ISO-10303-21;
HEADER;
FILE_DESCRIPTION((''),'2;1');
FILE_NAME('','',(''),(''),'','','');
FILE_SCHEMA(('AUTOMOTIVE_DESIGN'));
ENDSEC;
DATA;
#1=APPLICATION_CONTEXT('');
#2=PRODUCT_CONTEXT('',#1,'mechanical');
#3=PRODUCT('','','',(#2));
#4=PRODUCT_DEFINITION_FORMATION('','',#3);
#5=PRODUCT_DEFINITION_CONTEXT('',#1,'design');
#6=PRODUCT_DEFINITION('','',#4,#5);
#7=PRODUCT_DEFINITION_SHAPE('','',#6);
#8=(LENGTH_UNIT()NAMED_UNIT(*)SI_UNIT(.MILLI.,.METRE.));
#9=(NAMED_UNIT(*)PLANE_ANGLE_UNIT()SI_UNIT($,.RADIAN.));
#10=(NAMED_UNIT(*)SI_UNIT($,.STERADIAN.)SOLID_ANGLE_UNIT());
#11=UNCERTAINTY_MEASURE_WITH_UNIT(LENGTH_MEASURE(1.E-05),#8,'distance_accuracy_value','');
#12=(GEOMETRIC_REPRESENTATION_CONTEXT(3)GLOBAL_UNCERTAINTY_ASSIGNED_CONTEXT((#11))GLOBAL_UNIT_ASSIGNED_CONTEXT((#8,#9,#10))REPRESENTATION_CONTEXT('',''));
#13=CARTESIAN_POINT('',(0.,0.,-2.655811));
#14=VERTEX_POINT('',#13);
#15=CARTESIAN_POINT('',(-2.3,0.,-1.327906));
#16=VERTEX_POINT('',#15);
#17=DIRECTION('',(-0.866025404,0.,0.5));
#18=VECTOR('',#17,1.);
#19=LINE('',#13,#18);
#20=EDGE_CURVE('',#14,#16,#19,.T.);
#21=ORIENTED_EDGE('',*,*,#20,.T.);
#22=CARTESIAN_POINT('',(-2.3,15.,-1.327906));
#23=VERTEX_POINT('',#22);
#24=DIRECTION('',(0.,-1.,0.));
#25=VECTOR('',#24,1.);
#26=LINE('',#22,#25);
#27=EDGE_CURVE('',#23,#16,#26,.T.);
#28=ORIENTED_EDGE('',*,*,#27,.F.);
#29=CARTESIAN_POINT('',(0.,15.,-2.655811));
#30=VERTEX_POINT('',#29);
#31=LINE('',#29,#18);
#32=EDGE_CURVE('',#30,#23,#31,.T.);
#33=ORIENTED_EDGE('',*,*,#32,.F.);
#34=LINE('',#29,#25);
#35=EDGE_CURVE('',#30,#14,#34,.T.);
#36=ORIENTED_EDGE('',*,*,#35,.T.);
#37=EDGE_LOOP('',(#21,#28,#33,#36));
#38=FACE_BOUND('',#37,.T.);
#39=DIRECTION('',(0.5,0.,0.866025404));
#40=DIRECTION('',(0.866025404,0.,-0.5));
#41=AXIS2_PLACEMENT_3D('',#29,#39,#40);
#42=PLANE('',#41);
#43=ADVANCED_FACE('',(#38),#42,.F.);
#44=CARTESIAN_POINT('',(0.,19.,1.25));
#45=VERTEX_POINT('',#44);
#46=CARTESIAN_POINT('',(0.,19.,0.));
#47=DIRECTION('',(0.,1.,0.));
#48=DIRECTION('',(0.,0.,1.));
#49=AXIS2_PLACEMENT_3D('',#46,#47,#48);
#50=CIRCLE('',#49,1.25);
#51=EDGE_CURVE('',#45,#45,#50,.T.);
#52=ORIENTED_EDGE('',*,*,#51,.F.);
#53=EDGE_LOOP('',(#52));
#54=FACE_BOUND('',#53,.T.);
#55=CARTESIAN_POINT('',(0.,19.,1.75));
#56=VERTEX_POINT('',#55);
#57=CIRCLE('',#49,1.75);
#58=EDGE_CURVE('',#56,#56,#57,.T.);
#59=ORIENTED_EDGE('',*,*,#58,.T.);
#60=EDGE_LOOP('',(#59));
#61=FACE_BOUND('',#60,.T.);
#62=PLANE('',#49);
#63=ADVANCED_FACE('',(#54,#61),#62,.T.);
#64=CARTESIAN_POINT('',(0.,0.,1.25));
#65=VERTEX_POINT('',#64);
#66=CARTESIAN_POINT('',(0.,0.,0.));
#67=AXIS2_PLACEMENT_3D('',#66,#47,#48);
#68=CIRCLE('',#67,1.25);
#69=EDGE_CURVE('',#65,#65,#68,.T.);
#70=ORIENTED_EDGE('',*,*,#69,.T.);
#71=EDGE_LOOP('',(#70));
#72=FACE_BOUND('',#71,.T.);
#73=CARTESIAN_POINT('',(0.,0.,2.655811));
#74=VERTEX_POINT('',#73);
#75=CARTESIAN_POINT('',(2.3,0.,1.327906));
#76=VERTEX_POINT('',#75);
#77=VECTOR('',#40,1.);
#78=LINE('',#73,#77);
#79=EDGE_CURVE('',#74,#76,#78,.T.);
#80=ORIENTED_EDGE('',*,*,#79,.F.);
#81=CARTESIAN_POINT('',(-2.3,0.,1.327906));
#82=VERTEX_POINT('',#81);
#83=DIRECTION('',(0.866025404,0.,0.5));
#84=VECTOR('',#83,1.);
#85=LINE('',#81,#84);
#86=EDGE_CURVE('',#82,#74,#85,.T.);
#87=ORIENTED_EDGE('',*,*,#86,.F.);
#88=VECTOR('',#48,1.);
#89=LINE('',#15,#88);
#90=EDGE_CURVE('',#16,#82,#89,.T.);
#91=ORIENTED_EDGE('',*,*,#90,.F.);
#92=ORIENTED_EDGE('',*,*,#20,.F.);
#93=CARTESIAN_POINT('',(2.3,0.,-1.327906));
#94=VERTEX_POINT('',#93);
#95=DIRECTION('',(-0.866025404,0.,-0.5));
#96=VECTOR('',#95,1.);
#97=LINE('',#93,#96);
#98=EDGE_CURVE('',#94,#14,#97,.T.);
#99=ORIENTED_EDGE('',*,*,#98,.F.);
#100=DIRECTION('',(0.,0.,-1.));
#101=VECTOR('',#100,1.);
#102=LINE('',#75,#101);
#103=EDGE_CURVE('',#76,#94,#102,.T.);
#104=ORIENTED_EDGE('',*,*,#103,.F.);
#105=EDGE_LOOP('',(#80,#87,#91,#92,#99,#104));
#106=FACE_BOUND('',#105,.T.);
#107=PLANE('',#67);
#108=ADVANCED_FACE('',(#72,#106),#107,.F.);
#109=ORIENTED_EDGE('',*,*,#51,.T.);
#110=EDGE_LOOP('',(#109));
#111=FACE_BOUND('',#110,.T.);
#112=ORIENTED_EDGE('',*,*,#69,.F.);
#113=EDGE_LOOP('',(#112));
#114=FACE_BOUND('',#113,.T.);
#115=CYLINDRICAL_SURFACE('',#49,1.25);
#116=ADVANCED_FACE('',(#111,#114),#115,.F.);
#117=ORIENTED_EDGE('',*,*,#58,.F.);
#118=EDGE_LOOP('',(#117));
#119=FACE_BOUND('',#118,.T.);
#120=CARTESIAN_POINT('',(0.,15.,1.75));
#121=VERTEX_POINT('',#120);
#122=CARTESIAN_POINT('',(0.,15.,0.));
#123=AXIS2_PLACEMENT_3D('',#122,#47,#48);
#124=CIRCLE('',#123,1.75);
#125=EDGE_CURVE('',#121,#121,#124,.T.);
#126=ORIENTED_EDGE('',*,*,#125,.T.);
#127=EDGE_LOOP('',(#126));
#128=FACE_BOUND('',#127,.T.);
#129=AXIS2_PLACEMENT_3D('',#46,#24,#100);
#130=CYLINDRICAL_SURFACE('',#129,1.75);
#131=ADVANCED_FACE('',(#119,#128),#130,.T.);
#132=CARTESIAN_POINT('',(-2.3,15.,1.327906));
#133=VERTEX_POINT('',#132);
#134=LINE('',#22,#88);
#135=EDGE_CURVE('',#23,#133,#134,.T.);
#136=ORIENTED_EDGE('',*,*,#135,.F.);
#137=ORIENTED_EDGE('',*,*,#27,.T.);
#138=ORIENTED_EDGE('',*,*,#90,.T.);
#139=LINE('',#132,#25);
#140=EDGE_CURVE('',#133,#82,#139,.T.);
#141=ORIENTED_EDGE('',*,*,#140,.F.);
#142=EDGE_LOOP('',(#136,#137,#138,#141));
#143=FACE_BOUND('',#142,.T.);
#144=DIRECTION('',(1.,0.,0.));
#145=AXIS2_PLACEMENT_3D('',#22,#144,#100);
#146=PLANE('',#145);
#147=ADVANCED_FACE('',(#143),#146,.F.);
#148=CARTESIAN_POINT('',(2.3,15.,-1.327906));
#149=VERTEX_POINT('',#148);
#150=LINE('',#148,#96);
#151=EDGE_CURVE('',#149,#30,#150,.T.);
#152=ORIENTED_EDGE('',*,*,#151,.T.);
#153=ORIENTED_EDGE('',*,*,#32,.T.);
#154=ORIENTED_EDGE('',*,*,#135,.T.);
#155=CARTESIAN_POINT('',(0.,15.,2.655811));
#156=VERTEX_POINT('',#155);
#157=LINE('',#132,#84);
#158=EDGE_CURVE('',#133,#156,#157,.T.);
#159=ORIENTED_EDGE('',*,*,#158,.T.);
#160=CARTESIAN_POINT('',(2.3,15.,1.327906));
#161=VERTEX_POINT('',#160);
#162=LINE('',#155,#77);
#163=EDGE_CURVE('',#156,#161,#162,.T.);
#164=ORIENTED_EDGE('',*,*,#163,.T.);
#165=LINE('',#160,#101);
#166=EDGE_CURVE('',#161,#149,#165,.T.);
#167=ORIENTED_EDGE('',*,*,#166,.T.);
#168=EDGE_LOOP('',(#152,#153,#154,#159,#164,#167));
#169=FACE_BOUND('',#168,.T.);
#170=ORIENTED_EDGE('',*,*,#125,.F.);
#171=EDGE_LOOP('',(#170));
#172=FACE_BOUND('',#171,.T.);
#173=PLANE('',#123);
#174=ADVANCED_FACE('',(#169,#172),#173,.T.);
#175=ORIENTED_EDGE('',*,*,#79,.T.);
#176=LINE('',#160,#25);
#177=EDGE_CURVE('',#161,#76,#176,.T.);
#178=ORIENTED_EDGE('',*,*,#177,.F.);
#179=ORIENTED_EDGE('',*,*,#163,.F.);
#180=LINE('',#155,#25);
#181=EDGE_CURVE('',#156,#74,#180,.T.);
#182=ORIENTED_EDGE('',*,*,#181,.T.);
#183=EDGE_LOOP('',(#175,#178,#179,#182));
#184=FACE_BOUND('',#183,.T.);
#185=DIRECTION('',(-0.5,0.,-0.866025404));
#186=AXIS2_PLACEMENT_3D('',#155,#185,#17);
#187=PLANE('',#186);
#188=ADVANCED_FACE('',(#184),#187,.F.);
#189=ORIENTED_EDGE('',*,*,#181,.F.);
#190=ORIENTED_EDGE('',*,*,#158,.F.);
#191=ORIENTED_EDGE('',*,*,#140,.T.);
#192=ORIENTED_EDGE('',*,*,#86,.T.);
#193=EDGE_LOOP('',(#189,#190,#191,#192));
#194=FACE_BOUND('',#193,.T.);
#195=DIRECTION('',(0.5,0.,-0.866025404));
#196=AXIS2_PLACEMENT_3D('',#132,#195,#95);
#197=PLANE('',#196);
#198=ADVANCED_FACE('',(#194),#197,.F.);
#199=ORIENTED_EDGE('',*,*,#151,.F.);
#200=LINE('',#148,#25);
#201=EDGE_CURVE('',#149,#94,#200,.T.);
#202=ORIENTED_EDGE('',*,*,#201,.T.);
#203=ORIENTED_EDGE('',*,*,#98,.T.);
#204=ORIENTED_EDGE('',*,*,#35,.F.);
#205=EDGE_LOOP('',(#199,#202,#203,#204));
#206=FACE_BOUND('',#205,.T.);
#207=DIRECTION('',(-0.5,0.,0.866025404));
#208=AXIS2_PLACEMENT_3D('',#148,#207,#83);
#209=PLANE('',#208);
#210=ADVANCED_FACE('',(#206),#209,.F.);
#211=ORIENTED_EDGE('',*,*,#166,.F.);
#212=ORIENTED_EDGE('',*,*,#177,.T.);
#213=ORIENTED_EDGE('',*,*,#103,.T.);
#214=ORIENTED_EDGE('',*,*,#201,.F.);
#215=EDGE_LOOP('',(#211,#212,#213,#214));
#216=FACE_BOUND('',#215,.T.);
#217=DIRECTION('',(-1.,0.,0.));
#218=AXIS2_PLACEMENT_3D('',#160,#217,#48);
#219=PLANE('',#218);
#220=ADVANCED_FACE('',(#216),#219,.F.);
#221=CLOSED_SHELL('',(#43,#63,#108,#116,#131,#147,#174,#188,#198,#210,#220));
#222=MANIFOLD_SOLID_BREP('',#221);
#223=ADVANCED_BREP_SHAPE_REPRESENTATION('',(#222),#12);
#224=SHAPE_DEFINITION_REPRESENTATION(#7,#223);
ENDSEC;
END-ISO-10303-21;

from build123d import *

# Parameters (mm, degrees)
EXTRUDE_1_DEPTH    = 15
SKETCH_2_R         = 1.75
EXTRUDE_2_DEPTH    = 4
HOLE_WIZARD_M3_1_D = 2.5


with BuildPart() as part:
    # 草图1 → 凸台-拉伸1 (new body)
    with BuildSketch(Plane(origin=(0, 0, 0), x_dir=(1, 0, 0), z_dir=(0, 1, 0))):
        Polygon((0, 2.655811238), (-2.3, 1.327905619), (-2.3, -1.327905619), (0, -2.655811238), (2.3, -1.327905619), (2.3, 1.327905619), align=None)
    extrude(amount=EXTRUDE_1_DEPTH)

    # 草图2 → 凸台-拉伸2 (add)
    with BuildSketch(Plane(origin=(0, 15, 0), x_dir=(1, 0, 0), z_dir=(0, 1, 0))):
        with Locations(Location((0, 0, 0), (0, 0, 270))):
            Circle(SKETCH_2_R)
    extrude(amount=EXTRUDE_2_DEPTH)

    # M3 螺纹孔1 (through all)
    with Locations(Plane(origin=(0, 19, 0), x_dir=(1, 0, 0), z_dir=(0, 1, 0))):
        with Locations((0, 0)):
            Hole(HOLE_WIZARD_M3_1_D / 2)


solid = part.part
